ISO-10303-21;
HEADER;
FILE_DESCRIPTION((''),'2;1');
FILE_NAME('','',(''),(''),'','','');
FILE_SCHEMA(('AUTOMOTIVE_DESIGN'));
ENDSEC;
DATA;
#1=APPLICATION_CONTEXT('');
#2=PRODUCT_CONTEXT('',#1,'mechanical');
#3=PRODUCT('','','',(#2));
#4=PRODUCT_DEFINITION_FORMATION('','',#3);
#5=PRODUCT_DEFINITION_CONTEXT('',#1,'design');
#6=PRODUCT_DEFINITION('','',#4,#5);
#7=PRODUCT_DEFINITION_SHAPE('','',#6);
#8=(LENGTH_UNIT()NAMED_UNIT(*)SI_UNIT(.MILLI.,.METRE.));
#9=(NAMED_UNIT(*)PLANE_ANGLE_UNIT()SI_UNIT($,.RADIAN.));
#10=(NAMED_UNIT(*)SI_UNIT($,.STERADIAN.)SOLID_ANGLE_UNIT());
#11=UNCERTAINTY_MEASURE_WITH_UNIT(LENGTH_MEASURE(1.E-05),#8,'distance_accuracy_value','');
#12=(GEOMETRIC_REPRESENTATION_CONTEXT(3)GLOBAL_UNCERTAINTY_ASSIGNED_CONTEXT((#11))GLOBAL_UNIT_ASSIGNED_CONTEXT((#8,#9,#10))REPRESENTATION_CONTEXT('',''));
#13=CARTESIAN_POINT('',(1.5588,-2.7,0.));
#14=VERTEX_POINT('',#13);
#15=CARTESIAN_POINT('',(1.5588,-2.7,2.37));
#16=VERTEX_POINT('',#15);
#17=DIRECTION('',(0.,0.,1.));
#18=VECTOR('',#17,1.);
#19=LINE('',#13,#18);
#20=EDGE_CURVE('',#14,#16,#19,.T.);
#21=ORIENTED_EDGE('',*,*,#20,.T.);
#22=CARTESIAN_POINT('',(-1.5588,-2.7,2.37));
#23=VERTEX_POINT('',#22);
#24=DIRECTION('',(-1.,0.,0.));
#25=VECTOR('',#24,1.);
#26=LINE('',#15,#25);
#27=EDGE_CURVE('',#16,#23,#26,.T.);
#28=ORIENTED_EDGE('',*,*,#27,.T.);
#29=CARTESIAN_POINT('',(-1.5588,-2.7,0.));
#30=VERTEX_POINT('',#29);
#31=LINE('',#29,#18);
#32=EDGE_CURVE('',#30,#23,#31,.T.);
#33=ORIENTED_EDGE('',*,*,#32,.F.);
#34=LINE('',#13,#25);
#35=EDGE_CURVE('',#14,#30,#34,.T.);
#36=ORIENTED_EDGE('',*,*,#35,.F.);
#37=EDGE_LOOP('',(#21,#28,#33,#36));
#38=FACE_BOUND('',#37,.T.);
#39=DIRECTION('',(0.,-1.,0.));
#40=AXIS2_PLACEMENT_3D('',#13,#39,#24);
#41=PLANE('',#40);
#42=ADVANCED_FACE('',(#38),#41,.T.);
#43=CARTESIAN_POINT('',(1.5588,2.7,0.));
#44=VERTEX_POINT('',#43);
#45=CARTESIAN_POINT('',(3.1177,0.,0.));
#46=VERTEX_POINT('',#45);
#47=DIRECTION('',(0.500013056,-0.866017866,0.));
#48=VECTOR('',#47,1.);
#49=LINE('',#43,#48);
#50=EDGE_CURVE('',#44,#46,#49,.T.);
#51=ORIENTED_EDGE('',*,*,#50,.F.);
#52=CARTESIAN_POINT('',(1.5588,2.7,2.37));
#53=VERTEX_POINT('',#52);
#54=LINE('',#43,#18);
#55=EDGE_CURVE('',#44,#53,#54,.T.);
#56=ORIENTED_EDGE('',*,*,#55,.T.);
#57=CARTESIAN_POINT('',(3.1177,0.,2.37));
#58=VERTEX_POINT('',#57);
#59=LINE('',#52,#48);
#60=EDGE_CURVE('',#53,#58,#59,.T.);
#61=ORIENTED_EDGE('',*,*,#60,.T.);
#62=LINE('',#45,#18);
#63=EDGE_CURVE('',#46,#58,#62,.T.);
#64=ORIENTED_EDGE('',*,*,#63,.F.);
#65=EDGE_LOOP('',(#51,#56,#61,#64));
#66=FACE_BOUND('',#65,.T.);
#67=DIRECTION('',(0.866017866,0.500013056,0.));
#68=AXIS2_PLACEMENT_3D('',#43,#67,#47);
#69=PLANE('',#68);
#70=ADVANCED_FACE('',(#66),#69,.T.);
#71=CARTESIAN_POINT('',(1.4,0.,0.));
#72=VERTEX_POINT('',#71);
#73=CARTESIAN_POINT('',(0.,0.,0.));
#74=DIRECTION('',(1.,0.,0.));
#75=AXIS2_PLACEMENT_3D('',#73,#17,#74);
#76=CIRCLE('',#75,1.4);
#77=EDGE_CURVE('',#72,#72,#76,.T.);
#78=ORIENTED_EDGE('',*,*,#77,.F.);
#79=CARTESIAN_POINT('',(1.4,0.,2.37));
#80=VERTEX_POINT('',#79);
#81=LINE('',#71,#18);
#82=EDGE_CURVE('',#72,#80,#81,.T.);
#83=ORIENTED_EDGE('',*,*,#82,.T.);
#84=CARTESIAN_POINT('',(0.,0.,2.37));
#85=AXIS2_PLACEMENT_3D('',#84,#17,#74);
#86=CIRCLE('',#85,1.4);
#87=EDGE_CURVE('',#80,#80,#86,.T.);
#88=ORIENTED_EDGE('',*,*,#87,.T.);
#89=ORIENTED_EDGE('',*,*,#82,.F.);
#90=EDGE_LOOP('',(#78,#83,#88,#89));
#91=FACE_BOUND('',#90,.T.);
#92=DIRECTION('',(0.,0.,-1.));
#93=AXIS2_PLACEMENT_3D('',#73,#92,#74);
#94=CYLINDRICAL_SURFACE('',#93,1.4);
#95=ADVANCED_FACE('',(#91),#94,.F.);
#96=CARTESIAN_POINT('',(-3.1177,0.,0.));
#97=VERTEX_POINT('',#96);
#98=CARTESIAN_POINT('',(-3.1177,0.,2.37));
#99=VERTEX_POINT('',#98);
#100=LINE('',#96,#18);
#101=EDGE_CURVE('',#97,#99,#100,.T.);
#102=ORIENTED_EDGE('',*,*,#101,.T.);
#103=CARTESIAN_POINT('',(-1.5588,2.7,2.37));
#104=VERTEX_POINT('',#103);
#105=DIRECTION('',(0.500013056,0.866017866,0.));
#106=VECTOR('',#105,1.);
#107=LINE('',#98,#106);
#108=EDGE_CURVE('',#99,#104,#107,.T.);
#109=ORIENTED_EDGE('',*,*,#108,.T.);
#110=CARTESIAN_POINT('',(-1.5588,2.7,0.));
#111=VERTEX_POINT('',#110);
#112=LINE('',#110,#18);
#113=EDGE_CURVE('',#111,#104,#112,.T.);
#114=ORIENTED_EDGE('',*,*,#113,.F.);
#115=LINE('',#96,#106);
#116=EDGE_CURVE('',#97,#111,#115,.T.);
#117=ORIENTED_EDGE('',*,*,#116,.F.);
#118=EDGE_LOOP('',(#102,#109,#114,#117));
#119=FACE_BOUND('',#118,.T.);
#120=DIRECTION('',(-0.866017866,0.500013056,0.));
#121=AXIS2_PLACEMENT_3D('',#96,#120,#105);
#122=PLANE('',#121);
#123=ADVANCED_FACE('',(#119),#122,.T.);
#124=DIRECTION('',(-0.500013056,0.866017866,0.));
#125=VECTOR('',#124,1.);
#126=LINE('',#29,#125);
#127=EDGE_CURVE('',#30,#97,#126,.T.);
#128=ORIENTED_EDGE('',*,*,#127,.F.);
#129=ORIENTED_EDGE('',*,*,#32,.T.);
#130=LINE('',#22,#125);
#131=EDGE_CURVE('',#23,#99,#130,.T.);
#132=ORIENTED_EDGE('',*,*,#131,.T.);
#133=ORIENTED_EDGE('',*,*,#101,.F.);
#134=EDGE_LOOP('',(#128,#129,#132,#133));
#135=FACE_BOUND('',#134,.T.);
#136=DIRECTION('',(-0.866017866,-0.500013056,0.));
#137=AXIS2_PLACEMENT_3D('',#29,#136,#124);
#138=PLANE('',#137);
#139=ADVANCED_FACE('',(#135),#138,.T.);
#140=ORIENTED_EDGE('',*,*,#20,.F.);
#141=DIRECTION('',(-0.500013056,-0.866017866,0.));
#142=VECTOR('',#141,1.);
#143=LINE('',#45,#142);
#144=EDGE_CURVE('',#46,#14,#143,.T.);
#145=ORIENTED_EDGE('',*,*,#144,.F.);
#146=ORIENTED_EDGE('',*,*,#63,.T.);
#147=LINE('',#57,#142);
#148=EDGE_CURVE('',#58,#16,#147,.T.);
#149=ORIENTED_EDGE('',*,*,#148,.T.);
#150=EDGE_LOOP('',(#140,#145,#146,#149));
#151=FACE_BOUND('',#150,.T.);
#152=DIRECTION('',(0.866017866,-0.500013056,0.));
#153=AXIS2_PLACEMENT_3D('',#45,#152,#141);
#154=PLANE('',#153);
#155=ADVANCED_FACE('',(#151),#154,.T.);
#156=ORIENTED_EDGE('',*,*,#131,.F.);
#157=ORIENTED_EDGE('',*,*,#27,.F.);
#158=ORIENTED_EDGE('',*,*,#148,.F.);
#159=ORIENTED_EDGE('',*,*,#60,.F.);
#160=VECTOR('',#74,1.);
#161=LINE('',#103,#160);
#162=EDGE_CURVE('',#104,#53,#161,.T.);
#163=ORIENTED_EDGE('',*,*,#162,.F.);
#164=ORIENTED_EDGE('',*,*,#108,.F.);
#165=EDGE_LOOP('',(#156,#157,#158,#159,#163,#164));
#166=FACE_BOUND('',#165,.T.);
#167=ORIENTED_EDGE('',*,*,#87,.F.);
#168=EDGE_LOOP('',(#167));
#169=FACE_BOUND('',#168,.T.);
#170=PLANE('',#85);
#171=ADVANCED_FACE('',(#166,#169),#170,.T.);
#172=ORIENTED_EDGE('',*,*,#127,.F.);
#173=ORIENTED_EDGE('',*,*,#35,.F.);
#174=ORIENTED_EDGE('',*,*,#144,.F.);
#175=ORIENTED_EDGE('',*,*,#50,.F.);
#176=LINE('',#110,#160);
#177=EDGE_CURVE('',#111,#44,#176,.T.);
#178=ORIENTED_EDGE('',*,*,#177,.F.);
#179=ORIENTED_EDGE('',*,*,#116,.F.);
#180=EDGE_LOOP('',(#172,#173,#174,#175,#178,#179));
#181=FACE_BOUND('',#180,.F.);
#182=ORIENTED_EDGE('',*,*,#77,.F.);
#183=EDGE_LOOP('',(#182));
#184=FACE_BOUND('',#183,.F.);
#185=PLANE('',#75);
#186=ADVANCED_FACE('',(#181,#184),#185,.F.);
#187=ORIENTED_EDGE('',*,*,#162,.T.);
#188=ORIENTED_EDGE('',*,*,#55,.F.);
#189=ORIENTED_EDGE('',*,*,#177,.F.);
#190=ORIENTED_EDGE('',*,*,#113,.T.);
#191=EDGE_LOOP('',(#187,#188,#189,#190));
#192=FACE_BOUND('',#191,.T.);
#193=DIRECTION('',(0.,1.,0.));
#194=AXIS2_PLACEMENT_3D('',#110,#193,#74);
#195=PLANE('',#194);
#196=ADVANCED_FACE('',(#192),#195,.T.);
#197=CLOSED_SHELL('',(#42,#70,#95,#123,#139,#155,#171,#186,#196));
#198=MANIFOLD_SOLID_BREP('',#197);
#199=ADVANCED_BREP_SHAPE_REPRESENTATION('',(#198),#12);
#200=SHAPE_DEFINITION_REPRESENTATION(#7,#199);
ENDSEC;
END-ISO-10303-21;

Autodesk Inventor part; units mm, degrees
ref_plane "YZ Plane" through (0, 0, 0) normal (1, 0, 0) x (0, 1, 0)
ref_plane "XZ Plane" through (0, 0, 0) normal (0, 1, 0) x (-1, 0, 0)
ref_plane "XY Plane" through (0, 0, 0) normal (0, 0, 1) x (1, 0, 0)
sketch "Sketch1" plane through (0, 0, 0) normal (0, 0, 1) x (1, 0, 0)
  line L0 (1.5588, 2.7) -> (3.1177, 0)
  line L1 (3.1177, 0) -> (1.5588, -2.7)
  line L2 (1.5588, -2.7) -> (-1.5588, -2.7)
  line L3 (-1.5588, -2.7) -> (-3.1177, 0)
  line L4 (-3.1177, 0) -> (-1.5588, 2.7)
  line L5 (-1.5588, 2.7) -> (1.5588, 2.7)
  circle A0 centre (0, 0) radius 1.4
  dimension "d0" = 5.4
  dimension "d1" = 2.8
extrude "Extrusion1" add sketch "Sketch1" along normal blind 2.37
properties part number "fasten_nut" material "Iron, Cast"
